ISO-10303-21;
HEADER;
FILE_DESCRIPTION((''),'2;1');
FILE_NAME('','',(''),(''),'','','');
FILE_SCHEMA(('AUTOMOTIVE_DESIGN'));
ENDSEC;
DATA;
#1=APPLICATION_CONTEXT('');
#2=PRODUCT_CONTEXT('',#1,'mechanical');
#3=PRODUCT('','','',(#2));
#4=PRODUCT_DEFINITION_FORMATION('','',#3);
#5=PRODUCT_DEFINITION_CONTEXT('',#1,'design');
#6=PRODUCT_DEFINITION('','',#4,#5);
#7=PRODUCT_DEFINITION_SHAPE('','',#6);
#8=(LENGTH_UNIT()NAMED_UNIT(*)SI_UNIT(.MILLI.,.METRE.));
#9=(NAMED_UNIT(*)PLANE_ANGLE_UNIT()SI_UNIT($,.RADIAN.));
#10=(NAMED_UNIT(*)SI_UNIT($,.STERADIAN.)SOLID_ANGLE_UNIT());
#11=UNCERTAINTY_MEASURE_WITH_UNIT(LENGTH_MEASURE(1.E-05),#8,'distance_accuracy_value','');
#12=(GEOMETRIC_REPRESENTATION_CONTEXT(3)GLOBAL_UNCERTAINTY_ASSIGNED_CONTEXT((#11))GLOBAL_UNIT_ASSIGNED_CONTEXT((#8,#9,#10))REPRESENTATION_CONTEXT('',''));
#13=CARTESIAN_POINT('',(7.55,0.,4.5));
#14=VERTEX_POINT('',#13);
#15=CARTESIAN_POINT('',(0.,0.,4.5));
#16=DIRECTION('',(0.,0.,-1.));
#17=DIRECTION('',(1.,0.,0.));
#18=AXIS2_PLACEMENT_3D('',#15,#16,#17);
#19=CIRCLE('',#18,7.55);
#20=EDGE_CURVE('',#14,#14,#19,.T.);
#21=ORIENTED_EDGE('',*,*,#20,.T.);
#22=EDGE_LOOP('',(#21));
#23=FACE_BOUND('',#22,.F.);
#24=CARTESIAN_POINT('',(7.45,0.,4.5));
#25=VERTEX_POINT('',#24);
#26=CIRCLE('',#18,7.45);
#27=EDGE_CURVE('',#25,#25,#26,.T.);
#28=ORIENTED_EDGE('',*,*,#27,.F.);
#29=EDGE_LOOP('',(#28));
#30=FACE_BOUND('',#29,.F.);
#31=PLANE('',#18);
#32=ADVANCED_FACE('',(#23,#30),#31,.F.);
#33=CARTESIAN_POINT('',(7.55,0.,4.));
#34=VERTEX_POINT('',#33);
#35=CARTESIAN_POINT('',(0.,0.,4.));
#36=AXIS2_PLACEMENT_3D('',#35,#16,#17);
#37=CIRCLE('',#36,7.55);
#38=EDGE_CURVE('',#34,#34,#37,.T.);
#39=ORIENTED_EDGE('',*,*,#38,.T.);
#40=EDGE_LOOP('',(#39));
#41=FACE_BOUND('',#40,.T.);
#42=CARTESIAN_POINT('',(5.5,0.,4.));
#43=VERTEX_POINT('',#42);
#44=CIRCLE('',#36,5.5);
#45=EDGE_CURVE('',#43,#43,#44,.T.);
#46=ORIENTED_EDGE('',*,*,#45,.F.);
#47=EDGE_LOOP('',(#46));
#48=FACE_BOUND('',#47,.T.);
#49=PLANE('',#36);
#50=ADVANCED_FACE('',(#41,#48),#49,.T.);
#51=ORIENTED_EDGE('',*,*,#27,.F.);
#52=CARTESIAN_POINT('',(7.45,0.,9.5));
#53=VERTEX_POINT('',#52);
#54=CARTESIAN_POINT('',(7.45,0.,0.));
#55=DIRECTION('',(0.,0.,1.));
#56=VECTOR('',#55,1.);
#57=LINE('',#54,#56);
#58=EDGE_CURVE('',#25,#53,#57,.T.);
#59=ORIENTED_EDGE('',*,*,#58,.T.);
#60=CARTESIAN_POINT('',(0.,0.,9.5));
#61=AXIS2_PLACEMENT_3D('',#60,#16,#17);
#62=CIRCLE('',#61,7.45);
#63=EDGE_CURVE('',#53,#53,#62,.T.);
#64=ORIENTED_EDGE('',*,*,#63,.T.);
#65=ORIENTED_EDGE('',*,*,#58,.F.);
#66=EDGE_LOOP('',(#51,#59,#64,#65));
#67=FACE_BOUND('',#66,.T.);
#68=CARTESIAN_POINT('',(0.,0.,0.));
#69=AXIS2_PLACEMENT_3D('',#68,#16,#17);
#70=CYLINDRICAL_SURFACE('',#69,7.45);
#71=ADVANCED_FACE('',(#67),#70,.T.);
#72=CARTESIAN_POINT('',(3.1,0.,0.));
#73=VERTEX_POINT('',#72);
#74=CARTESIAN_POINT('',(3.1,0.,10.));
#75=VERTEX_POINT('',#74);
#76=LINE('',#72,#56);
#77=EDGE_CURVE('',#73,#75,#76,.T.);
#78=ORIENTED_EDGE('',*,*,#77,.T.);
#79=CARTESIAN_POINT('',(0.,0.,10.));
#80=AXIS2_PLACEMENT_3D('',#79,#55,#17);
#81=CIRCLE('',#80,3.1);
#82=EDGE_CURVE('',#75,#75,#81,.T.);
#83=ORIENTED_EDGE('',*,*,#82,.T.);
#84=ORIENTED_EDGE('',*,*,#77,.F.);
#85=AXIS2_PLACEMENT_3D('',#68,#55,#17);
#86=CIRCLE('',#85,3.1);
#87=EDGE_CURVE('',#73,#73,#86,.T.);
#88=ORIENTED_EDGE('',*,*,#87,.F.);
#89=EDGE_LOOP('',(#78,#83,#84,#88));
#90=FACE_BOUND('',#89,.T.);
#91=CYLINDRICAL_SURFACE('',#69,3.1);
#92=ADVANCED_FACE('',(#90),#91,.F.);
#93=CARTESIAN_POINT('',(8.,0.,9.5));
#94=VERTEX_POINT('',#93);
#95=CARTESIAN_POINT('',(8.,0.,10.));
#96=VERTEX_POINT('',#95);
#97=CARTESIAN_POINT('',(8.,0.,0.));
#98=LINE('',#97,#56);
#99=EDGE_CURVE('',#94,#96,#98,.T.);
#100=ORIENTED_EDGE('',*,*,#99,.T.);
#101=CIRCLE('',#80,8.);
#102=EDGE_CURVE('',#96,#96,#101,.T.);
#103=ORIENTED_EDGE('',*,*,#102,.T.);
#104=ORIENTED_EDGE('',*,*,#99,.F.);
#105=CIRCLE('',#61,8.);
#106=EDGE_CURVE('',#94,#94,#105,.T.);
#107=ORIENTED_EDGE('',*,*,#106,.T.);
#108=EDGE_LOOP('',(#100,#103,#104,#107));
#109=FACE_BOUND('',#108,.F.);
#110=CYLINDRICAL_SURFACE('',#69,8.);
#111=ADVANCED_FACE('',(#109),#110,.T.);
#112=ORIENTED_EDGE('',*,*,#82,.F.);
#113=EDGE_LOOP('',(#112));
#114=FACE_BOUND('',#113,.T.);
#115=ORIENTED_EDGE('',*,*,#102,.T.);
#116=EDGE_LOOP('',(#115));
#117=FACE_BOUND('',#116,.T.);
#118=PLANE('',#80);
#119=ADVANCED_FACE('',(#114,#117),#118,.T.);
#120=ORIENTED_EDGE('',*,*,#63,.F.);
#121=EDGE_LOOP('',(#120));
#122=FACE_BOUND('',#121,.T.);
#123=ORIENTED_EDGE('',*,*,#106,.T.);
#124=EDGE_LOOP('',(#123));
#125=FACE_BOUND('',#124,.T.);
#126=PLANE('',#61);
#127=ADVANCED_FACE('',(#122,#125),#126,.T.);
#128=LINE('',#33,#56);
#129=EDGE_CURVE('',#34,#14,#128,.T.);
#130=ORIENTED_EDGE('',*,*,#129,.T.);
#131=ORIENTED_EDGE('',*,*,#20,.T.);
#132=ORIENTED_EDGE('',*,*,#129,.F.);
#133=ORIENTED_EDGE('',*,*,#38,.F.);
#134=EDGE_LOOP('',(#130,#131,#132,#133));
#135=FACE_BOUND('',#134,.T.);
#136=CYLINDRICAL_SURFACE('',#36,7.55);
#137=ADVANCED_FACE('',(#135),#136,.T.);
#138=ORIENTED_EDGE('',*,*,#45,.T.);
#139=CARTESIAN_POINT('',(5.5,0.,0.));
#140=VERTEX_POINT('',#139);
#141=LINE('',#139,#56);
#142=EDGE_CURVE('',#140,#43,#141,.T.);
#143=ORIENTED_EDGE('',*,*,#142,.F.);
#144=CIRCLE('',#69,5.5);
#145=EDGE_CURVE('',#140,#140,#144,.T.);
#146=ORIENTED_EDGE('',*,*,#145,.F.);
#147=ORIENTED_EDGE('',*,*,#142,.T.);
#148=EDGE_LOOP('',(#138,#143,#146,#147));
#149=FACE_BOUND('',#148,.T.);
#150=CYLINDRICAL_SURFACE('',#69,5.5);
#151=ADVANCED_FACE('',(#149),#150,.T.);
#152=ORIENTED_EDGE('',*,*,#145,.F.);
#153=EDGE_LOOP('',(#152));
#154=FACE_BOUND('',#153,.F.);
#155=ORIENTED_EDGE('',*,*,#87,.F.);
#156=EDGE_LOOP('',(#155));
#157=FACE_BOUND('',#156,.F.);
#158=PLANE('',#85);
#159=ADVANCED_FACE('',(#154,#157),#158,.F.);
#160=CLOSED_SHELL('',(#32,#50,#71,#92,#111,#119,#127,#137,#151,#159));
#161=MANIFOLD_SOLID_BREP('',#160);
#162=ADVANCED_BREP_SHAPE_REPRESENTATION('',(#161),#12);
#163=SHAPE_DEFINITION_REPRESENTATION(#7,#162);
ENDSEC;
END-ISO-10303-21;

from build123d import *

# Parameters (mm, degrees)
SKETCH_R        = 8
SKETCH_R_2      = 3.1
PAD_DEPTH       = 10
SKETCH001_R     = 15.500543
SKETCH001_R_2   = 7.45
POCKET_DEPTH    = 9.5
SKETCH002_R     = 11.210936
SKETCH002_R_2   = 5.5
POCKET001_DEPTH = 4
SKETCH003_R     = 7.55
SKETCH003_R_2   = 6.749921
PAD001_DEPTH    = 0.5


with BuildPart() as part:
    # Sketch → Pad (new body)
    with BuildSketch(Plane.XY):
        Circle(SKETCH_R)
        Circle(SKETCH_R_2, mode=Mode.SUBTRACT)
    extrude(amount=PAD_DEPTH)

    # Sketch001 (on Face3 of Pad) → Pocket (cut)
    with BuildSketch(Plane(origin=(0, 0, 0), x_dir=(1, 0, 0), z_dir=(0, 0, -1))):
        Circle(SKETCH001_R)
        Circle(SKETCH001_R_2, mode=Mode.SUBTRACT)
    extrude(amount=-POCKET_DEPTH, mode=Mode.SUBTRACT)

    # Sketch002 (on Face6 of Pocket) → Pocket001 (cut)
    with BuildSketch(Plane(origin=(0, 0, 0), x_dir=(1, 0, 0), z_dir=(0, 0, -1))):
        Circle(SKETCH002_R)
        Circle(SKETCH002_R_2, mode=Mode.SUBTRACT)
    extrude(amount=-POCKET001_DEPTH, mode=Mode.SUBTRACT)

    # Sketch003 (on Face6 of Pocket001) → Pad001 (join)
    with BuildSketch(Plane(origin=(0, 0, 4), x_dir=(1, 0, 0), z_dir=(0, 0, -1))):
        Circle(SKETCH003_R)
        Circle(SKETCH003_R_2, mode=Mode.SUBTRACT)
    extrude(amount=-PAD001_DEPTH)


solid = part.part
